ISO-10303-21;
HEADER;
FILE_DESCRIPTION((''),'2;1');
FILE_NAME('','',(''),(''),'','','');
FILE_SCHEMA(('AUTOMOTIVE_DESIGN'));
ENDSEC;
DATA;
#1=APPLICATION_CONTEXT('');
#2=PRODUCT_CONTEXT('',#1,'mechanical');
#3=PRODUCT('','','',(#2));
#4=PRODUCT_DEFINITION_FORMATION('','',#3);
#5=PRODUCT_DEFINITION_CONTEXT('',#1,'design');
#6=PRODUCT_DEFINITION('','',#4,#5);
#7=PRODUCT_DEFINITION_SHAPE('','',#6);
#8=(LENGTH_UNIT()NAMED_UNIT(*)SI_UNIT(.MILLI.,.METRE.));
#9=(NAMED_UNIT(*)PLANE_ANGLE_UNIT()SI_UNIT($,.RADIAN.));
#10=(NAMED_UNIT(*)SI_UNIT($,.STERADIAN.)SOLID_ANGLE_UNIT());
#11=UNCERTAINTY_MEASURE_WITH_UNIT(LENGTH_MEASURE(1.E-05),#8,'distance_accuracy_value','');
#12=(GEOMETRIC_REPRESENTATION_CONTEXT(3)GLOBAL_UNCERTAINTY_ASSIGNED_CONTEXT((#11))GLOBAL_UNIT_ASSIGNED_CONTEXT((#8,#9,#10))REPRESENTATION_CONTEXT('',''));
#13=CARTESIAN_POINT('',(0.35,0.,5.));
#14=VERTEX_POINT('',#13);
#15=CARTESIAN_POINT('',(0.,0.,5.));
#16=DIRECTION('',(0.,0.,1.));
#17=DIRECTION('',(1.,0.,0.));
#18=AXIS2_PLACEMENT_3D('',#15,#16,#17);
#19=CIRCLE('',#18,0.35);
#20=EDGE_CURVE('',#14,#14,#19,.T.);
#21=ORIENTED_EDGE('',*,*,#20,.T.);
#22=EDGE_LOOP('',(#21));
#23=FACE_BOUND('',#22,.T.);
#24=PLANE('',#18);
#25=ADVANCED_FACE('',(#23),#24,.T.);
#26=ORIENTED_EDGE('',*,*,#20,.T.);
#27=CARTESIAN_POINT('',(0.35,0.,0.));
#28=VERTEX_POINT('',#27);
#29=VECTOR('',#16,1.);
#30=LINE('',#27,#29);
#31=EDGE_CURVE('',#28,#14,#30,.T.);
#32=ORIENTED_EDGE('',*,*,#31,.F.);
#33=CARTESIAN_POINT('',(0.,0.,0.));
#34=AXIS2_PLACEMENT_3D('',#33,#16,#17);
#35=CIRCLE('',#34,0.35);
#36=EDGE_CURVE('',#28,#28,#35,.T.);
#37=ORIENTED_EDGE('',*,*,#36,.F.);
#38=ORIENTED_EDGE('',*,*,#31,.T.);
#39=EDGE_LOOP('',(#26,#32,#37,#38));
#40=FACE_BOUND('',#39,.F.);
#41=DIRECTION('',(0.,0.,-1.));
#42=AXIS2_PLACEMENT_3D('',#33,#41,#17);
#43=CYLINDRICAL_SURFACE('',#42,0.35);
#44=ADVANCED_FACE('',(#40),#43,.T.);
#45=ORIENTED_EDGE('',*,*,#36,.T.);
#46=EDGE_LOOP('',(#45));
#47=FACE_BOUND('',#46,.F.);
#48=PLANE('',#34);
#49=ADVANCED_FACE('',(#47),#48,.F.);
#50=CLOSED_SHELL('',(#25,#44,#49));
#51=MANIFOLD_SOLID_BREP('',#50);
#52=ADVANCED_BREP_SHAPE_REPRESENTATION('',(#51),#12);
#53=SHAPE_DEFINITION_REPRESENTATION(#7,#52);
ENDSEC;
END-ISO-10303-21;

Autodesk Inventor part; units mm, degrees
ref_plane "YZ Plane" through (0, 0, 0) normal (1, 0, 0) x (0, 1, 0)
ref_plane "XZ Plane" through (0, 0, 0) normal (0, 1, 0) x (-1, 0, 0)
ref_plane "XY Plane" through (0, 0, 0) normal (0, 0, 1) x (1, 0, 0)
sketch "Sketch1" plane through (0, 0, 0) normal (0, 0, 1) x (1, 0, 0)
  circle A0 centre (0, 0) radius 0.35
  dimension "d0" = 0.7
extrude "Extrusion1" add sketch "Sketch1" along normal blind 5
sketch "Sketch2" plane through (0, 0, 0) normal (0, 0, -1) x (-1, 0, 0)
  circle A0 centre (0, 0) radius 0.35 projected
properties part number "brownribbon"
